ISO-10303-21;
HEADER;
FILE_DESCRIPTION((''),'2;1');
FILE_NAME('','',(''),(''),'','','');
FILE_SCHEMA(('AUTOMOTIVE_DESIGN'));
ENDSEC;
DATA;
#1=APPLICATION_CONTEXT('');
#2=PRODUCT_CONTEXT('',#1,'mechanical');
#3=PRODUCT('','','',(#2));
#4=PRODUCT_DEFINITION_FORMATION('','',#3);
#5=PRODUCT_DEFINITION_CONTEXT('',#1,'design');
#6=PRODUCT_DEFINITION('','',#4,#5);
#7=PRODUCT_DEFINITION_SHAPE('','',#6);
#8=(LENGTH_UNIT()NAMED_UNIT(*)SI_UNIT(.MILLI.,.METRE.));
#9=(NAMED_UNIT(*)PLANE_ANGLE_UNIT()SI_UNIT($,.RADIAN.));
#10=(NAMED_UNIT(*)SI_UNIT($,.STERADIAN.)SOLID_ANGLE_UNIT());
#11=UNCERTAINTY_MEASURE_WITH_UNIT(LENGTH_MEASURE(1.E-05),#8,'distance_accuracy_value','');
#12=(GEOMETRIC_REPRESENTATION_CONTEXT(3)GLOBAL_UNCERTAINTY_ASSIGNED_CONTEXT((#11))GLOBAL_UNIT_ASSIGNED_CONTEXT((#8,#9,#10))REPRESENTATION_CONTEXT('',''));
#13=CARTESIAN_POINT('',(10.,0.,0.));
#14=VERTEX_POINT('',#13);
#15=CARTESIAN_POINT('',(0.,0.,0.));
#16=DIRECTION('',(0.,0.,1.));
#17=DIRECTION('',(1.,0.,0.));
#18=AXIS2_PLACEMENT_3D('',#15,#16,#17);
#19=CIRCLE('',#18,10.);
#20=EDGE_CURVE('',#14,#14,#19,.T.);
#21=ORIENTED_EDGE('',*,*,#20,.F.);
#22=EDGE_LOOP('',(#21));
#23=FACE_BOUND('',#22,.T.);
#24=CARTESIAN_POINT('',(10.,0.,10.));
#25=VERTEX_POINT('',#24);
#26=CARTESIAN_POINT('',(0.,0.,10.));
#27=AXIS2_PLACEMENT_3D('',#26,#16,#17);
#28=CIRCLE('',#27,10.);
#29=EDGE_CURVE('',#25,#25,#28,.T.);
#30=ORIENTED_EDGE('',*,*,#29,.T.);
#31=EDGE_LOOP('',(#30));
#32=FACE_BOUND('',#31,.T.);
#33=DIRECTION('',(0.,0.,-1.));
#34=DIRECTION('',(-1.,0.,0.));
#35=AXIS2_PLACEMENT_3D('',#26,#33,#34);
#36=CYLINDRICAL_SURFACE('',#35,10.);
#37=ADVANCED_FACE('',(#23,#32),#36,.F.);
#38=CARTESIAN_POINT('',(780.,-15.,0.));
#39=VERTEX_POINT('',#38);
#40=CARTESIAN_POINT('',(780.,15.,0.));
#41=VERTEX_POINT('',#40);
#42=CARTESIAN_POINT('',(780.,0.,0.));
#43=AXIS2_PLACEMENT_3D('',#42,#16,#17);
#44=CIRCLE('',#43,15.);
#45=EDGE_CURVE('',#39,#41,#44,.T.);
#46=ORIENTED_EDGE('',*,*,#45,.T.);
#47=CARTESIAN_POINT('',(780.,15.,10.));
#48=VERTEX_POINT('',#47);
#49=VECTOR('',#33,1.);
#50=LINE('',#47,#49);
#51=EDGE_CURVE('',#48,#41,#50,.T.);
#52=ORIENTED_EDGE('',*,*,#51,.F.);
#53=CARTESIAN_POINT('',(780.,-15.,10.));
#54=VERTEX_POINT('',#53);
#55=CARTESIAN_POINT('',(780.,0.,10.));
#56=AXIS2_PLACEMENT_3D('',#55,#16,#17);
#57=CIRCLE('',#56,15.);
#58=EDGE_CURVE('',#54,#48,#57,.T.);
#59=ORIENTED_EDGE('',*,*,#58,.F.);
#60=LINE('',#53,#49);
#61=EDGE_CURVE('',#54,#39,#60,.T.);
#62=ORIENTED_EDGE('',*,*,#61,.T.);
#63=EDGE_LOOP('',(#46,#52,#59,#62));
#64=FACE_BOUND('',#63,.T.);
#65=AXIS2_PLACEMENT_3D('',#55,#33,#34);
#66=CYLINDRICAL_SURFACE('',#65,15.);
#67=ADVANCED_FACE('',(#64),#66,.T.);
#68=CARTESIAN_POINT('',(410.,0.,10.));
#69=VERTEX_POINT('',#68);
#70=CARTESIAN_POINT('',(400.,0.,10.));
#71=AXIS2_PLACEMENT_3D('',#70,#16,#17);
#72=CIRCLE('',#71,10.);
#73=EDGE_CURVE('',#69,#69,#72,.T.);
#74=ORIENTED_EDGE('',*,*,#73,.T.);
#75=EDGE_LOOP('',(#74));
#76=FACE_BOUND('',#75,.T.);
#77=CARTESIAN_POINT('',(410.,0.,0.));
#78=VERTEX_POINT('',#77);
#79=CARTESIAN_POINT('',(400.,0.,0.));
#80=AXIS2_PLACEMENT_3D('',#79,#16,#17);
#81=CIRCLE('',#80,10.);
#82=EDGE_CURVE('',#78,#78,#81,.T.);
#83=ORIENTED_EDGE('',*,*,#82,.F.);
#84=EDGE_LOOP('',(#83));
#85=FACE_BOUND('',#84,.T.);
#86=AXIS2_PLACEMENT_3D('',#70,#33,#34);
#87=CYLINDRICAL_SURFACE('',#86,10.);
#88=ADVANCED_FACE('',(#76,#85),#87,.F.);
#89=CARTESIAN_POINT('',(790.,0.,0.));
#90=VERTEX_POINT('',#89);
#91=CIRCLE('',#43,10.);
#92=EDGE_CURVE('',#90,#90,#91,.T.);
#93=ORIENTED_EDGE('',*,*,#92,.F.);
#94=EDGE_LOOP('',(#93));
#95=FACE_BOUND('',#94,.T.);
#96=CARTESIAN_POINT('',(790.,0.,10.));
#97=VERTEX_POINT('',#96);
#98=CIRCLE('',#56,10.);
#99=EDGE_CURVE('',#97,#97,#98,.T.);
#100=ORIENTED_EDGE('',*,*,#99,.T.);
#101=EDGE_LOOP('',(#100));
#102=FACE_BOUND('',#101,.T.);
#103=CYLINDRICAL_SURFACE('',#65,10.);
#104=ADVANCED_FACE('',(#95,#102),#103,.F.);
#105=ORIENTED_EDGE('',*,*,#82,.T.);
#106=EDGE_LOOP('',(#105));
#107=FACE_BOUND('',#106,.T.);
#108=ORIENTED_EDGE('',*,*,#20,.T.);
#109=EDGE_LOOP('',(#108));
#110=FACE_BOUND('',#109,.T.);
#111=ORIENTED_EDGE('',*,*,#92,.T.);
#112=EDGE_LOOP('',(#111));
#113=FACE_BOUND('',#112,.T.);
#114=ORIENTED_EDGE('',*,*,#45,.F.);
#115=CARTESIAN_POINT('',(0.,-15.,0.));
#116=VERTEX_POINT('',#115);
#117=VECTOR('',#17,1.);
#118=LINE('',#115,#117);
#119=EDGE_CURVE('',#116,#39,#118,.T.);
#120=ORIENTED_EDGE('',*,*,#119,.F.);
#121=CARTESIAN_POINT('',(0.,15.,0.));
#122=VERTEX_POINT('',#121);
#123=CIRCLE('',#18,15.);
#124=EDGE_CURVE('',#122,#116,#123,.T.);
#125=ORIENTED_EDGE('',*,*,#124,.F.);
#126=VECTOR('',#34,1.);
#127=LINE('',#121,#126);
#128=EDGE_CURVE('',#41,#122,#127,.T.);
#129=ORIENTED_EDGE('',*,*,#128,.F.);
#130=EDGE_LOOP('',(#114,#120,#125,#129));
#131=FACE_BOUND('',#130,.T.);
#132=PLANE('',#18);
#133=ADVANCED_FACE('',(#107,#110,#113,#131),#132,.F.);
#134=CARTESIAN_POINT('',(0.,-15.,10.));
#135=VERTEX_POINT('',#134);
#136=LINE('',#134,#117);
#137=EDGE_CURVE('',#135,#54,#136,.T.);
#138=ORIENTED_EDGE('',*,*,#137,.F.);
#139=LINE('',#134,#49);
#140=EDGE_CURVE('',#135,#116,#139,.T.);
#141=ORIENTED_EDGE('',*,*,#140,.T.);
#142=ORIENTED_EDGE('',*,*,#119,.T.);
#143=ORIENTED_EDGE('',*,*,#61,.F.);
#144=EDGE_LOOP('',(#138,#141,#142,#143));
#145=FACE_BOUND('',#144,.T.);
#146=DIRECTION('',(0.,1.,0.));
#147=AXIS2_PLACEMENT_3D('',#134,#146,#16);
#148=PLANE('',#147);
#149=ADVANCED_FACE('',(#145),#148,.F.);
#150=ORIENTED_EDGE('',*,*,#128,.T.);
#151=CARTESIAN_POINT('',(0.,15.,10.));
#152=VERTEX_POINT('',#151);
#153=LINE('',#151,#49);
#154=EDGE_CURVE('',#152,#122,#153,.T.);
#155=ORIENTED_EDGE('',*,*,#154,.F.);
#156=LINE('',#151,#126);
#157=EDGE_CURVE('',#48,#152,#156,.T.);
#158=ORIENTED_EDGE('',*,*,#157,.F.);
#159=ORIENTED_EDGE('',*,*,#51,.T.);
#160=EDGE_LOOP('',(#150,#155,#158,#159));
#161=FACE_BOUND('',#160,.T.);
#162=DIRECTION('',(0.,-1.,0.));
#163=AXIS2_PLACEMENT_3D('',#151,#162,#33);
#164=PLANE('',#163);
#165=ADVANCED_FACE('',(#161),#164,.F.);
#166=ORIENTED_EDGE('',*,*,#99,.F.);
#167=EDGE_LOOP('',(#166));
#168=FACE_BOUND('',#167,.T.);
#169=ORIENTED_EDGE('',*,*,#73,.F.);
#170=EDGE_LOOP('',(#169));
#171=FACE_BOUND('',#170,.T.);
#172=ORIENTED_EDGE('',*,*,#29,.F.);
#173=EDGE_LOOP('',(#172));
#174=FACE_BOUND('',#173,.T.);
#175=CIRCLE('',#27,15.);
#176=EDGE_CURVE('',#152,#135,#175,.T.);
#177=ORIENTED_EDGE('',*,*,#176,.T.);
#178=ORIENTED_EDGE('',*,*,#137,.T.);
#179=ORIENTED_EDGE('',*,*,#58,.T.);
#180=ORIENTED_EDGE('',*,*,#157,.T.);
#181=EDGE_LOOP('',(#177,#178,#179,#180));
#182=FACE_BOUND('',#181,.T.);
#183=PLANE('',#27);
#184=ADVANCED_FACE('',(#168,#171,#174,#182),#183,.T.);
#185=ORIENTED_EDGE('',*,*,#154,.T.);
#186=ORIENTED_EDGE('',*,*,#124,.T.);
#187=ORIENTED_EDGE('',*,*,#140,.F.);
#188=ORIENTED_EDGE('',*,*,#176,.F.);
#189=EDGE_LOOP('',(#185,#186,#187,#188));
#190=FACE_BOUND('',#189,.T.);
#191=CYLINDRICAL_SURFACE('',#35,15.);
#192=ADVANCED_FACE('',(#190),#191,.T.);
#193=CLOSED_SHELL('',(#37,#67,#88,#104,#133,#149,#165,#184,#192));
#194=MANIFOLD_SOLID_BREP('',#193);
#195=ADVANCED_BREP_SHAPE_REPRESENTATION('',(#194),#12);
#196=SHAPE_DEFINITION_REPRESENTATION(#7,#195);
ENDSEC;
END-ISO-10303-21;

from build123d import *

# Parameters (mm, degrees)
SKETCH_1_R      = 10
EXTRUDE_2_DEPTH = 10


with BuildPart() as part:
    # Эскиз1 → Бобышка-Вытянуть2 (new body)
    with BuildSketch(Plane.XY):
        with BuildLine():
            Line((0, 15), (780, 15))
            ThreePointArc((780, 15), (795, 0), (780, -15))
            Line((780, -15), (0, -15))
            ThreePointArc((0, -15), (-15, 0), (0, 15))
        make_face()
        Circle(SKETCH_1_R, mode=Mode.SUBTRACT)
        with Locations((780, 0)):
            Circle(SKETCH_1_R, mode=Mode.SUBTRACT)
        with Locations((400, 0)):
            Circle(SKETCH_1_R, mode=Mode.SUBTRACT)
    extrude(amount=EXTRUDE_2_DEPTH)


solid = part.part
